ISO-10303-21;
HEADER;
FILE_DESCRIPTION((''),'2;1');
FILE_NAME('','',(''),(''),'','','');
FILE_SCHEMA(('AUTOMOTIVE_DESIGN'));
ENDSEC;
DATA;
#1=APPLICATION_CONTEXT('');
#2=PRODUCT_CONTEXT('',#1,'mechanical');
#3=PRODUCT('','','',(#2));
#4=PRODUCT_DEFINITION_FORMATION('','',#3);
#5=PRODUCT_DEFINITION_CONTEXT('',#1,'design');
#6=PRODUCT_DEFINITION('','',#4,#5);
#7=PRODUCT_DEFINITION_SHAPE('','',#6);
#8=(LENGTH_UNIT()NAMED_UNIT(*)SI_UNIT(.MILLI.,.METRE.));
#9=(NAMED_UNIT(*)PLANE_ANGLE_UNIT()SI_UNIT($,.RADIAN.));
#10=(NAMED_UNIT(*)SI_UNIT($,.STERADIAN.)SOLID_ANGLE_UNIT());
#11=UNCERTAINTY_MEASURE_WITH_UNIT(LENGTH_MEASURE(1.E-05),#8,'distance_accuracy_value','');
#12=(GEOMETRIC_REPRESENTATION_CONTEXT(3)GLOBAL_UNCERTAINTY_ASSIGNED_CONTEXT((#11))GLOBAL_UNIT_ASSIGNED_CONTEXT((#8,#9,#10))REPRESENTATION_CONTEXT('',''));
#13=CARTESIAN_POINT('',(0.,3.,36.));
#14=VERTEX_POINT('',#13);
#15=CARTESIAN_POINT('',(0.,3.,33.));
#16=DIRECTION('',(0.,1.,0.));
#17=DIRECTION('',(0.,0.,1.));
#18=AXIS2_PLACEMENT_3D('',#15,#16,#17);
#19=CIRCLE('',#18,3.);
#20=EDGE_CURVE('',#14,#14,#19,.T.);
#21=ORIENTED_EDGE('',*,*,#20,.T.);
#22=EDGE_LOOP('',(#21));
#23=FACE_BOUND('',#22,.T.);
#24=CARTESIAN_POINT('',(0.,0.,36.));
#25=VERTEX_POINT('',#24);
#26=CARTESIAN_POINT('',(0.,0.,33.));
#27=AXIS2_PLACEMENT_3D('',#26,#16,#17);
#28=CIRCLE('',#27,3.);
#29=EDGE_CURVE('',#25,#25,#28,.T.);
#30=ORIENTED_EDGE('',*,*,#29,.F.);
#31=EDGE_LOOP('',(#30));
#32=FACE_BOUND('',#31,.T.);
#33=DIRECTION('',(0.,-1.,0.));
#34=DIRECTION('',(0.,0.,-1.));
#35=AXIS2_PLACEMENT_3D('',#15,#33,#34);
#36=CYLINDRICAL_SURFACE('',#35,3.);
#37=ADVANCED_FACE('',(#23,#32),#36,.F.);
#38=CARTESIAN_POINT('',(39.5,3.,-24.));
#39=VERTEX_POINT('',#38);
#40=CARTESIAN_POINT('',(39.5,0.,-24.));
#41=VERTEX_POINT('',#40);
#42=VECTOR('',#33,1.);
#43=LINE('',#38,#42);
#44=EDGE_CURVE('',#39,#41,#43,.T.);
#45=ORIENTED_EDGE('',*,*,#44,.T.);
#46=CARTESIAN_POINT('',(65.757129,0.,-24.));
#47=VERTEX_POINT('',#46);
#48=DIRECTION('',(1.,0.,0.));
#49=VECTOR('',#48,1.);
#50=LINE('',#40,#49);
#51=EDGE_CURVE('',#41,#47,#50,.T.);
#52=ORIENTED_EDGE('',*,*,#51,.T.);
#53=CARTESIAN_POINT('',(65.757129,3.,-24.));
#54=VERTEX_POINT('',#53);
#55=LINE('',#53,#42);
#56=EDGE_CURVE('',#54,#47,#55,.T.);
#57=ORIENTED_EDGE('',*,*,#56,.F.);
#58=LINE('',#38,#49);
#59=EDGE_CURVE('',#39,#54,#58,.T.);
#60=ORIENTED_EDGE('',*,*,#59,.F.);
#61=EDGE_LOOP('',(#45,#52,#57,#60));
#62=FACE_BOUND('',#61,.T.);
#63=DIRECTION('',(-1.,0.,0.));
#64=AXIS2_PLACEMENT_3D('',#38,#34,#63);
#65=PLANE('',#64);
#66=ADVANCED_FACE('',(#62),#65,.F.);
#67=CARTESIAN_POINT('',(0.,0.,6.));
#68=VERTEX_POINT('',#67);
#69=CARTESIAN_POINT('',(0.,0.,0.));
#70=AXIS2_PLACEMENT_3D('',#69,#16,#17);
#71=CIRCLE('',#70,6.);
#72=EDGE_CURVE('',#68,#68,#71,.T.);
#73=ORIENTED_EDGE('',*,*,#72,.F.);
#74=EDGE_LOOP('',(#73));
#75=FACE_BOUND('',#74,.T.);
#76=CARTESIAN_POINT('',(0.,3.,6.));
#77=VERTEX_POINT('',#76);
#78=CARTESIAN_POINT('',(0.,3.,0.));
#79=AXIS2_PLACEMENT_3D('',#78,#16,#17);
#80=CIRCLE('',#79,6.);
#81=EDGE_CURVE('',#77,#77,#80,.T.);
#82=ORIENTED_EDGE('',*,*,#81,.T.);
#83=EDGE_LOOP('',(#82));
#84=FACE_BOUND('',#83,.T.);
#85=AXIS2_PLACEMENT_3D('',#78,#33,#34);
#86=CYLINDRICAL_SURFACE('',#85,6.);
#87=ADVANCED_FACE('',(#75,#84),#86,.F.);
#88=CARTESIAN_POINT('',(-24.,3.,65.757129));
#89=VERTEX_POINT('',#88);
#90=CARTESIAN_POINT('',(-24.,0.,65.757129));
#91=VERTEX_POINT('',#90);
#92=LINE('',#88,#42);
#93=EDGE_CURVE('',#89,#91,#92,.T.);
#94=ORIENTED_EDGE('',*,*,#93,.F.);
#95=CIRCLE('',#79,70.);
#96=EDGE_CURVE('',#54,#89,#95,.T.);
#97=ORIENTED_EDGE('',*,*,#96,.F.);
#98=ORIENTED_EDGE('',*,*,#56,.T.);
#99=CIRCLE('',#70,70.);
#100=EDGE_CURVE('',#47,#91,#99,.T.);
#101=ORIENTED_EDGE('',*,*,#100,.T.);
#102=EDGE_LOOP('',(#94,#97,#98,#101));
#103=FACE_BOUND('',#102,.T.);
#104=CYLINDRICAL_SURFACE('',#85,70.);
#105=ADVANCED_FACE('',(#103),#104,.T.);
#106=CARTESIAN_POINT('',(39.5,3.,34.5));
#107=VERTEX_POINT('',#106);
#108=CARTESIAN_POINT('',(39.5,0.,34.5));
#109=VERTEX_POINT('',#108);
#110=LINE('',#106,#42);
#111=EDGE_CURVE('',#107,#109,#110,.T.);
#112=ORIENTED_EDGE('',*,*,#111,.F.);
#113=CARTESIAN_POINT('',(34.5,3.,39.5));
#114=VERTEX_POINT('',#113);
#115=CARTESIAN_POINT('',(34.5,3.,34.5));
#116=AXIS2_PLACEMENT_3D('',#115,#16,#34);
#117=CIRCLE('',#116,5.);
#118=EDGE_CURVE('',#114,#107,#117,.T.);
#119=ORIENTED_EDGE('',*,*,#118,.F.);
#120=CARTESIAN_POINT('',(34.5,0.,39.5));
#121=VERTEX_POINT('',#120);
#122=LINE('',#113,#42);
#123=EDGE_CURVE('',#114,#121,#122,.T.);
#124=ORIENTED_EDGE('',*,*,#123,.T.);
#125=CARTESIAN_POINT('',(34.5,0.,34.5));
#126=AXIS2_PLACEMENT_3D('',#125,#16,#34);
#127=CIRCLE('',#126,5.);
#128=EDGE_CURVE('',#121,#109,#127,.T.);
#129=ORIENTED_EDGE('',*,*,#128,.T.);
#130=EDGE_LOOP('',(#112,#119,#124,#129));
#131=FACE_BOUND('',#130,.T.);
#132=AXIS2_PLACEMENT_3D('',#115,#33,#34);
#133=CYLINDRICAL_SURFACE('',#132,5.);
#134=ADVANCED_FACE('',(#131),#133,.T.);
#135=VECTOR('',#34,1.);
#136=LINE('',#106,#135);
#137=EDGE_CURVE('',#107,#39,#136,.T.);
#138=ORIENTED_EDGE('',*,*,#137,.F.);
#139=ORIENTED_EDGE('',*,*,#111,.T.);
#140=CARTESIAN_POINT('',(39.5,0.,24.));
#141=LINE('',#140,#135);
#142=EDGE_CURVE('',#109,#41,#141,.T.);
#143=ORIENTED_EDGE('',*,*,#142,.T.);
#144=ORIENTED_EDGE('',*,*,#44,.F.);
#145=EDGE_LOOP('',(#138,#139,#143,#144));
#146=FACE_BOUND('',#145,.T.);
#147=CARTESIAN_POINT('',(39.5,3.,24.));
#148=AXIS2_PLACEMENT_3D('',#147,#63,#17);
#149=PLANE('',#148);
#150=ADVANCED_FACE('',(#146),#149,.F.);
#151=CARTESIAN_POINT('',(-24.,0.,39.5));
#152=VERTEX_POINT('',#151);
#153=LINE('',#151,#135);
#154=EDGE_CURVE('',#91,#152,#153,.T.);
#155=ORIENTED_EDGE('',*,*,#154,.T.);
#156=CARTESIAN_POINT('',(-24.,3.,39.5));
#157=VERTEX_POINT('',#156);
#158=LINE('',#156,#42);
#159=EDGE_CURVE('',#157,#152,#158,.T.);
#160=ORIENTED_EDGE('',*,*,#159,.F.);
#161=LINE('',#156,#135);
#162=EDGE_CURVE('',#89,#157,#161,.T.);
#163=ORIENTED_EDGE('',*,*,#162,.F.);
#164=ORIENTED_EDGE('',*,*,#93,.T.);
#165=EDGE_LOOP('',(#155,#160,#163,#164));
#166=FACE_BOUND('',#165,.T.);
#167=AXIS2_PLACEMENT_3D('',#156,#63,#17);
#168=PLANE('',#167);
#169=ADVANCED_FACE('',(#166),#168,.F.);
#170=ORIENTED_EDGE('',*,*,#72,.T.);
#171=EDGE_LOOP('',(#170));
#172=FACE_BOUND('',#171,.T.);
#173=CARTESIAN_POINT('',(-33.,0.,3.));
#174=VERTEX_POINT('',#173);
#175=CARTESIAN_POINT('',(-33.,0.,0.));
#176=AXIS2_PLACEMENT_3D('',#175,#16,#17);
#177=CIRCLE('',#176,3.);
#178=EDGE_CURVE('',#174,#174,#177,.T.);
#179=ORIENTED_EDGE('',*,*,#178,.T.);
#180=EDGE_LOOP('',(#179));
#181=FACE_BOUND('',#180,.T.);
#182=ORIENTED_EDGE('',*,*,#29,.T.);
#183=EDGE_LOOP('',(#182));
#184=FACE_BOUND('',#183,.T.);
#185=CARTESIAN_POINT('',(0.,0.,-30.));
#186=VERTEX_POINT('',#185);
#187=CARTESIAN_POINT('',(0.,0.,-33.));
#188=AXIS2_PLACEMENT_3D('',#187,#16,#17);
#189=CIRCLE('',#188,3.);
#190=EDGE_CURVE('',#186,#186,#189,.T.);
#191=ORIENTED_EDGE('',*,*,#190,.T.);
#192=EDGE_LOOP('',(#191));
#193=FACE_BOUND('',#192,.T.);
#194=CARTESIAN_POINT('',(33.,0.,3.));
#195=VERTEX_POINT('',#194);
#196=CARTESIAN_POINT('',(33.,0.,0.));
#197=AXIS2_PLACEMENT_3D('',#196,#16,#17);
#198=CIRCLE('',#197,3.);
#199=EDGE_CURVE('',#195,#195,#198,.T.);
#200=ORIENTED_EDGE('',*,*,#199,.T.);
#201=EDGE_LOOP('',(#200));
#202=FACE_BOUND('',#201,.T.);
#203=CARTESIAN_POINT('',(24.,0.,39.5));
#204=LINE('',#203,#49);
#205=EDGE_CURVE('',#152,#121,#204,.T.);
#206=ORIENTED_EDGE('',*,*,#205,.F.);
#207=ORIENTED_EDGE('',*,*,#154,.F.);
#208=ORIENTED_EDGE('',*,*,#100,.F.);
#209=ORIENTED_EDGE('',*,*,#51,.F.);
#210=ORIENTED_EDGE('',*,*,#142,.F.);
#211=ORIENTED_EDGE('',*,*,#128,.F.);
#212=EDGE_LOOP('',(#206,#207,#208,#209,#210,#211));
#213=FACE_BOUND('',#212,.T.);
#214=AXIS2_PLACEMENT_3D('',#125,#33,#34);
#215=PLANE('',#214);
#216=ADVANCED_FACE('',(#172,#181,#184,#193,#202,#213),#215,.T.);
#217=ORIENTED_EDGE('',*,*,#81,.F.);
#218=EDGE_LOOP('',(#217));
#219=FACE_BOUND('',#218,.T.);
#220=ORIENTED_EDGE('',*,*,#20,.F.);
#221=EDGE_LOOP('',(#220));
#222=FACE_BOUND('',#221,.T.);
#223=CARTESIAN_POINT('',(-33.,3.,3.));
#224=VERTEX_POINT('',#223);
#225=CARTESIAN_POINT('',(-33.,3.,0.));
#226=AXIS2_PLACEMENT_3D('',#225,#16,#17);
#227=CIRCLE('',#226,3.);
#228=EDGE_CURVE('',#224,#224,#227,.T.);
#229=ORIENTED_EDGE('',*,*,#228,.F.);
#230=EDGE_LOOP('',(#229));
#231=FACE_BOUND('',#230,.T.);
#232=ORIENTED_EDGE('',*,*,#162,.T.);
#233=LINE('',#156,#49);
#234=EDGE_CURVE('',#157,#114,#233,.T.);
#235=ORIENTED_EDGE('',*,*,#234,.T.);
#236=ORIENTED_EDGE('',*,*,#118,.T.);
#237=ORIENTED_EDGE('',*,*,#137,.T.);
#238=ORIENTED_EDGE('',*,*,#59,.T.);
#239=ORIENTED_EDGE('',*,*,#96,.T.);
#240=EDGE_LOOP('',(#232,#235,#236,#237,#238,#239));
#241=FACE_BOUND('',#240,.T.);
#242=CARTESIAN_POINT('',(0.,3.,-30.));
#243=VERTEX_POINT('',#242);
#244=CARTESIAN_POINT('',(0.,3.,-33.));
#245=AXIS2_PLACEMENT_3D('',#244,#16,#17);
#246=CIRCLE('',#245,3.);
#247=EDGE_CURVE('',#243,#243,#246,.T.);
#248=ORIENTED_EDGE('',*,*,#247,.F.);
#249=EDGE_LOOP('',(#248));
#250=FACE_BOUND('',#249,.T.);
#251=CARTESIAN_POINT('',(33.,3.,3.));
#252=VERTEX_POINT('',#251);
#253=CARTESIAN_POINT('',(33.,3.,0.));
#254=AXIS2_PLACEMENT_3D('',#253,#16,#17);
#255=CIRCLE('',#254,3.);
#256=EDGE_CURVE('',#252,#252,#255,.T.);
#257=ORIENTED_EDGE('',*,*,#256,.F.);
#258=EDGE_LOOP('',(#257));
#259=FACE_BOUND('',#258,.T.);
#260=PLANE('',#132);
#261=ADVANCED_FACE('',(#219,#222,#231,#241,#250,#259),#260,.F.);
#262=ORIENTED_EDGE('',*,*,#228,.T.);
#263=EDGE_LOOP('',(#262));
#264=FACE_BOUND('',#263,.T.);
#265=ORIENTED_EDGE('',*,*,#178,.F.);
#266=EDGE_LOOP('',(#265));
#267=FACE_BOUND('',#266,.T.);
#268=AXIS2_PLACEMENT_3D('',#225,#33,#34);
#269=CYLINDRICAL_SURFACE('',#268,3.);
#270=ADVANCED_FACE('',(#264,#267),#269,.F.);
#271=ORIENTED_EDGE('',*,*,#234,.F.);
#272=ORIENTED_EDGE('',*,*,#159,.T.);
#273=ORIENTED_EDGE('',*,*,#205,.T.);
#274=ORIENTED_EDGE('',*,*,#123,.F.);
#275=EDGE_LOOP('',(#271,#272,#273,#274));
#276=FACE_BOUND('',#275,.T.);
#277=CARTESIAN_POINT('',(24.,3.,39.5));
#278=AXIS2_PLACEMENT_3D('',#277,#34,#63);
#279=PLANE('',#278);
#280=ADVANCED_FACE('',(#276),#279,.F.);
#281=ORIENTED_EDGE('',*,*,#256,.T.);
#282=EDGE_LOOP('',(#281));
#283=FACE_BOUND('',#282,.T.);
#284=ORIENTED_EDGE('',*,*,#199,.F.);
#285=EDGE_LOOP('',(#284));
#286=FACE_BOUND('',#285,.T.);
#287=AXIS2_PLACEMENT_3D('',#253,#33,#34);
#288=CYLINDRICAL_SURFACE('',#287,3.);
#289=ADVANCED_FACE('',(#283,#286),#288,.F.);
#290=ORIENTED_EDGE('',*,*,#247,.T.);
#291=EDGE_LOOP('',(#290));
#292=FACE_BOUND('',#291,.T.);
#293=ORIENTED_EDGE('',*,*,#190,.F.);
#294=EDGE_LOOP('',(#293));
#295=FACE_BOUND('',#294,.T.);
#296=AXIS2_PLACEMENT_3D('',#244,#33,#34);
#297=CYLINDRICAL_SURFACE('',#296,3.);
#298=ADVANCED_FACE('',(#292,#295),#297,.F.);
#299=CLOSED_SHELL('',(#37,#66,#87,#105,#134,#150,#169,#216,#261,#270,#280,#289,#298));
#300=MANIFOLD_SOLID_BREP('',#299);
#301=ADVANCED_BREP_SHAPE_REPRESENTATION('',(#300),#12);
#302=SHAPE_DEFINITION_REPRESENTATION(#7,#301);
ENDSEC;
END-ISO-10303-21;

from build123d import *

# Parameters (mm, degrees)
SKETCH1_R           = 6
SKETCH1_R_2         = 3
BOSS_EXTRUDE1_DEPTH = 3


with BuildPart() as part:
    # Sketch1 → Boss-Extrude1 (new body)
    with BuildSketch(Plane(origin=(0, 0, 0), x_dir=(1, 0, 0), z_dir=(0, 1, 0))):
        with BuildLine():
            Line((24, -39.5), (34.5, -39.5))
            ThreePointArc((34.5, -39.5), (38.035533906, -38.035533906), (39.5, -34.5))
            Line((39.5, -34.5), (39.5, -24))
            Line((39.5, -24), (39.5, 24))
            Line((39.5, 24), (65.757128891, 24))
            ThreePointArc((65.757128891, 24), (-49.497474683, 49.497474683), (-24, -65.757128891))
            Line((-24, -65.757128891), (-24, -39.5))
            Line((-24, -39.5), (24, -39.5))
        make_face()
        with Locations(Location((0, 0, 0), (0, 0, 270))):
            Circle(SKETCH1_R, mode=Mode.SUBTRACT)
        with Locations(Location((33, 0, 0), (0, 0, 270))):
            Circle(SKETCH1_R_2, mode=Mode.SUBTRACT)
        with Locations(Location((0, -33, 0), (0, 0, 270))):
            Circle(SKETCH1_R_2, mode=Mode.SUBTRACT)
        with Locations(Location((-33, 0, 0), (0, 0, 270))):
            Circle(SKETCH1_R_2, mode=Mode.SUBTRACT)
        with Locations(Location((0, 33, 0), (0, 0, 270))):
            Circle(SKETCH1_R_2, mode=Mode.SUBTRACT)
    extrude(amount=BOSS_EXTRUDE1_DEPTH)


solid = part.part
